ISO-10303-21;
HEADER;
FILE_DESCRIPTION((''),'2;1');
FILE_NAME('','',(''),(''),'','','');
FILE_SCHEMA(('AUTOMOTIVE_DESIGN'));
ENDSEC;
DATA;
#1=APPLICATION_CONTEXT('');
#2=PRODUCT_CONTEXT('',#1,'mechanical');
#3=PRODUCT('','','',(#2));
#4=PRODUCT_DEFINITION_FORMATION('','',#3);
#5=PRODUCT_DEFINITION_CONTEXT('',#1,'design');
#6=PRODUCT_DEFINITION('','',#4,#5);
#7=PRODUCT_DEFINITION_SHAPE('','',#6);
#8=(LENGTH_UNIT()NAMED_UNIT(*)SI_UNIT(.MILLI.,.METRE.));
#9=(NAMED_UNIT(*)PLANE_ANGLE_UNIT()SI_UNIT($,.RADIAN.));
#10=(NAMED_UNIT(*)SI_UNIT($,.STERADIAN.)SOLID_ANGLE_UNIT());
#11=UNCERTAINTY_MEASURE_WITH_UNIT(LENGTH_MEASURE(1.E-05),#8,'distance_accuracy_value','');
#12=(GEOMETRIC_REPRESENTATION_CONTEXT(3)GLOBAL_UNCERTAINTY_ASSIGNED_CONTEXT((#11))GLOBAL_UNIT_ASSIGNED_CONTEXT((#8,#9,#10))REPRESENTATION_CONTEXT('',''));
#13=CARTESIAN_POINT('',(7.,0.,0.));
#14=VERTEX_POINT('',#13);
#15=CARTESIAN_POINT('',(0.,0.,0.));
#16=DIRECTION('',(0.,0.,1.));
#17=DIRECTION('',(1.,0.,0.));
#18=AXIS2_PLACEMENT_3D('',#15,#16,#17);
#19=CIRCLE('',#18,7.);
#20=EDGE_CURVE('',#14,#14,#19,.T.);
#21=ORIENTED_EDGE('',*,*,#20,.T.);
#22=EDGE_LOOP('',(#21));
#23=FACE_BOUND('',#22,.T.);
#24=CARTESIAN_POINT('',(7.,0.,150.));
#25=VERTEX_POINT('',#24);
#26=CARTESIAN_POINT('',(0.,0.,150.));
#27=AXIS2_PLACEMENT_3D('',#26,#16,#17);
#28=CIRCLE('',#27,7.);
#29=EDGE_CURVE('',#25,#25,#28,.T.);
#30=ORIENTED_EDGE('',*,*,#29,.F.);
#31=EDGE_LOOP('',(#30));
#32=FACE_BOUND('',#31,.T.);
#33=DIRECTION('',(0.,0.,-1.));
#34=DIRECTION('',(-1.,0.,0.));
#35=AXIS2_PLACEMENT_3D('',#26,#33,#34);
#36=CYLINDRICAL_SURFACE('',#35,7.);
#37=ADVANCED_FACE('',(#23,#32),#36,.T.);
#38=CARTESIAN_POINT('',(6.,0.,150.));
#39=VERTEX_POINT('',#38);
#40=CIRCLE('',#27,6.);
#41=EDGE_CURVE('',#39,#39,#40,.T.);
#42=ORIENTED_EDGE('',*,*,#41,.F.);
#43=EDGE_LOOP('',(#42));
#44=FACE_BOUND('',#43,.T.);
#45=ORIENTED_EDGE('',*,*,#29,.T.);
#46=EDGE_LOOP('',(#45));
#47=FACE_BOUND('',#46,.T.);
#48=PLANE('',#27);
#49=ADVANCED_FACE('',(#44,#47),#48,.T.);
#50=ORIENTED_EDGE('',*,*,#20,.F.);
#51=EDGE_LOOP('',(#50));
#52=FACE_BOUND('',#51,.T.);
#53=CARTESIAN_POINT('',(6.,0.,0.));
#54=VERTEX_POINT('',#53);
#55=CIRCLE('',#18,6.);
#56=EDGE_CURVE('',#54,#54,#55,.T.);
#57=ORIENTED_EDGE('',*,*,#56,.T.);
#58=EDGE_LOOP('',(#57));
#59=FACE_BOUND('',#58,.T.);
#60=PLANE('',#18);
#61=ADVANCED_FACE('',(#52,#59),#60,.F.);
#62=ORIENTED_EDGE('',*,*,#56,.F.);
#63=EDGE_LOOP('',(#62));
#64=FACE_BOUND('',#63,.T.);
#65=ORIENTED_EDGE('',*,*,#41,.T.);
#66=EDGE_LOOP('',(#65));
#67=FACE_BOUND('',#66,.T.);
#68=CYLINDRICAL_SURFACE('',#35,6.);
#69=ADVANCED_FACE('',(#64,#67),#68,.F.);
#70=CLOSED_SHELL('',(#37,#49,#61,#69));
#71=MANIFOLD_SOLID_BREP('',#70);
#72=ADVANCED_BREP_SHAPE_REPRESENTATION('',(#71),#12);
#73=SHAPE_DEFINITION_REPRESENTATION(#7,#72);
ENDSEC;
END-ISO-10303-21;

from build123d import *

# Parameters (mm, degrees)
SKETCH_1_R       = 7
SKETCH_1_R_2     = 6
EXTRUDE_12_DEPTH = 150


with BuildPart() as part:
    # Эскиз1 → Трубка алюминиевая 12мм (new body)
    with BuildSketch(Plane.XY):
        Circle(SKETCH_1_R)
        Circle(SKETCH_1_R_2, mode=Mode.SUBTRACT)
    extrude(amount=EXTRUDE_12_DEPTH)


solid = part.part
